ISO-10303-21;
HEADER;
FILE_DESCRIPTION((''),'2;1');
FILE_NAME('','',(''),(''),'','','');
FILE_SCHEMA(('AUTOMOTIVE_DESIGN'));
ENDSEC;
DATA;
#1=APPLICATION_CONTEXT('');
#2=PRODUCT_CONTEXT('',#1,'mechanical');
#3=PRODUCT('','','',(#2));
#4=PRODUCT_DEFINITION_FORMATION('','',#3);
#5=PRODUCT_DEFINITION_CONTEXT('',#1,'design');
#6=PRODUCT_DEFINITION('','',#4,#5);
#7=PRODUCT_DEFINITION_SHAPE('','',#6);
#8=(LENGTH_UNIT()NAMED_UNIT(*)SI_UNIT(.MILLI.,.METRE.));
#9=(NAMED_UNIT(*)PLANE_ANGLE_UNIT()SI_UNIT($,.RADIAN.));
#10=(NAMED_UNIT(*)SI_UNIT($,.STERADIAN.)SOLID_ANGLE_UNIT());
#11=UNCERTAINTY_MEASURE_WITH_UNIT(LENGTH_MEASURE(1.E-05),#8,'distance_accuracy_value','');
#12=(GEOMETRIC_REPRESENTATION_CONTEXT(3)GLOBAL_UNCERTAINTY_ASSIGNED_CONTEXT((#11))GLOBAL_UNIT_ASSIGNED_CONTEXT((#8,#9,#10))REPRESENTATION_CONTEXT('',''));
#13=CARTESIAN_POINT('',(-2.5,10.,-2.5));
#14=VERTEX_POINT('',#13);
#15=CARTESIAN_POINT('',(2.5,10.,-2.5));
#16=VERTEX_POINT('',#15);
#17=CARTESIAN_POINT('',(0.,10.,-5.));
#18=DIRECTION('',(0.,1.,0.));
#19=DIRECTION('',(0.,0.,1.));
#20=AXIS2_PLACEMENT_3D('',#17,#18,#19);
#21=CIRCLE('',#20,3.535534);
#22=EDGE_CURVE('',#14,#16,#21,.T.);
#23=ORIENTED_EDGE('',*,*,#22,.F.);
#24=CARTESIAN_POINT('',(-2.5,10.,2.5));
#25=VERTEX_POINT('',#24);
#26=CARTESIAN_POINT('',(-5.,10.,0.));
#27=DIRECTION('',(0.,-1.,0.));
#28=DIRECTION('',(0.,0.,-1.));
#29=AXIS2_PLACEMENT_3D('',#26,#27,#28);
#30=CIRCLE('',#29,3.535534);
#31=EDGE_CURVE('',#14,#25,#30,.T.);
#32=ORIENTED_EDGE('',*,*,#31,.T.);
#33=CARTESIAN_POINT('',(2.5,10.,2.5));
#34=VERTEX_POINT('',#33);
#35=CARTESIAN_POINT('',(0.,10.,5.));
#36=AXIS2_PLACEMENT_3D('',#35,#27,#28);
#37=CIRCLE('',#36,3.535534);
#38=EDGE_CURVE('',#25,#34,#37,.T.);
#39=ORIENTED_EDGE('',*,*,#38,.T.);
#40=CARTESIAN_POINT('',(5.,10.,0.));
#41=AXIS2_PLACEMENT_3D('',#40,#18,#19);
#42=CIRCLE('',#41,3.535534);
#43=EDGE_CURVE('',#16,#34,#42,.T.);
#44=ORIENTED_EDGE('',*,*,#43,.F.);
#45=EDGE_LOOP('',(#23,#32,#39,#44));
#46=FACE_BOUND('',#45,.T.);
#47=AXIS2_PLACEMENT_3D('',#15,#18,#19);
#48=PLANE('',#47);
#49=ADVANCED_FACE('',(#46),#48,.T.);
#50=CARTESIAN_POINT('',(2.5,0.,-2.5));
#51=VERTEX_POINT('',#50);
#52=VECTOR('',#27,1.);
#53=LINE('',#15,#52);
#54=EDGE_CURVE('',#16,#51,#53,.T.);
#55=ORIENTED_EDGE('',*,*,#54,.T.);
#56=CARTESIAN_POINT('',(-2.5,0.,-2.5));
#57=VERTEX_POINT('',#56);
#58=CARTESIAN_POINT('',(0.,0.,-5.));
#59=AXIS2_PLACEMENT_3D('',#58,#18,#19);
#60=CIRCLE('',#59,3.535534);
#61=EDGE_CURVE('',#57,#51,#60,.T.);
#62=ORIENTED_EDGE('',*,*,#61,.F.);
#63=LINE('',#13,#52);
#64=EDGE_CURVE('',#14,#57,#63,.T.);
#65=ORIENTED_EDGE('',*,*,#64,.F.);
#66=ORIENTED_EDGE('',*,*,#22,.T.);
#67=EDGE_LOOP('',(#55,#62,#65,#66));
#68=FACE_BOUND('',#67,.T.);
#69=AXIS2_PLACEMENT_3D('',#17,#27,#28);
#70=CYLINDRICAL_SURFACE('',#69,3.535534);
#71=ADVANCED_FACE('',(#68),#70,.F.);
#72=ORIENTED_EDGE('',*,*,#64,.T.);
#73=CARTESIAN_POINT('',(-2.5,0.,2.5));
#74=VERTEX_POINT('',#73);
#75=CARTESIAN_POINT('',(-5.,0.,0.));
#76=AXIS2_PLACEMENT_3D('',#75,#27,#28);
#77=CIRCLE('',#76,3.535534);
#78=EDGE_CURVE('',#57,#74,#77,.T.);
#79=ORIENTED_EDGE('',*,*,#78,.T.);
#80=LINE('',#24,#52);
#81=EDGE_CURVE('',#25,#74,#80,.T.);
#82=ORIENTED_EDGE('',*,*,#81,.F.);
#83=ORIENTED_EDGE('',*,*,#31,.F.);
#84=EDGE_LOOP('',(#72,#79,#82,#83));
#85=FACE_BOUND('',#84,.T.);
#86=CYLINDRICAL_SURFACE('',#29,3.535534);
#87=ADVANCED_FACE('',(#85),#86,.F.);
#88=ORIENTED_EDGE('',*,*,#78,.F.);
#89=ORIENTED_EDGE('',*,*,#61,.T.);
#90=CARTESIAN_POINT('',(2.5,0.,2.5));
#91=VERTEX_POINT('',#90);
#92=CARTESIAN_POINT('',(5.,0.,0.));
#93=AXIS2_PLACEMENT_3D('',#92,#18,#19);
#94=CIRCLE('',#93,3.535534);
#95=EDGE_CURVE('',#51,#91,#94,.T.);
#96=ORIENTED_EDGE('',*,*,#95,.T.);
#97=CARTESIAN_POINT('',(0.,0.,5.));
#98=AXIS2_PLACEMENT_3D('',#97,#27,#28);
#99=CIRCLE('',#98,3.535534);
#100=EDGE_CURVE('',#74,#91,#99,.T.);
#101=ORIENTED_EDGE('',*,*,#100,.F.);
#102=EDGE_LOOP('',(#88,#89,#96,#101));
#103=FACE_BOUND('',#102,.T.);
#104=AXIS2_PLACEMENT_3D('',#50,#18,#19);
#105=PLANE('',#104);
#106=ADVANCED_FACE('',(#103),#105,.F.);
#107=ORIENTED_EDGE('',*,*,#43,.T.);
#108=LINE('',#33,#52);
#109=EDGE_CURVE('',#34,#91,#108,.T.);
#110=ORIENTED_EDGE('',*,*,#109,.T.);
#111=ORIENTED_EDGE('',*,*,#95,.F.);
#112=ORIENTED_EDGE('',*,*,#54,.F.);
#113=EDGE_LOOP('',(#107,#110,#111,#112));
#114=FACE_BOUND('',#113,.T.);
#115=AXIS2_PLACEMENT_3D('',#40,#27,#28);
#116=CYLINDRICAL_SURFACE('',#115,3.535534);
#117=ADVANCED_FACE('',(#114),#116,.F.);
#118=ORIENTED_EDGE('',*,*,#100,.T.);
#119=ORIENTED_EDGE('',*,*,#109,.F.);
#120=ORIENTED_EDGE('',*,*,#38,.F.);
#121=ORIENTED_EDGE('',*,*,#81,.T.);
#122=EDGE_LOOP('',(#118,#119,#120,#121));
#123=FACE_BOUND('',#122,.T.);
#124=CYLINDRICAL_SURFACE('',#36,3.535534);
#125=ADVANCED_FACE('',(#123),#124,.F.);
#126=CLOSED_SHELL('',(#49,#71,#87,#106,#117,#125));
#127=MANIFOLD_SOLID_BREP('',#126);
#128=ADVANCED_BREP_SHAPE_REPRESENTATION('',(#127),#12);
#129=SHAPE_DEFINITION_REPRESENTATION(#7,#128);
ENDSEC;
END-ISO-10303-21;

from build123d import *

# Parameters (mm, degrees)
BOSS_EXTRUDE1_DEPTH = 10


with BuildPart() as part:
    # Sketch1 → Boss-Extrude1 (new body)
    with BuildSketch(Plane(origin=(0, 0, 0), x_dir=(1, 0, 0), z_dir=(0, 1, 0))):
        with BuildLine():
            ThreePointArc((-2.5, 2.5), (-1.464466094, 0), (-2.5, -2.5))
            ThreePointArc((-2.5, -2.5), (0, -1.464466094), (2.5, -2.5))
            ThreePointArc((2.5, -2.5), (1.464466094, 0), (2.5, 2.5))
            ThreePointArc((2.5, 2.5), (0, 1.464466094), (-2.5, 2.5))
        make_face()
    extrude(amount=BOSS_EXTRUDE1_DEPTH)


solid = part.part
